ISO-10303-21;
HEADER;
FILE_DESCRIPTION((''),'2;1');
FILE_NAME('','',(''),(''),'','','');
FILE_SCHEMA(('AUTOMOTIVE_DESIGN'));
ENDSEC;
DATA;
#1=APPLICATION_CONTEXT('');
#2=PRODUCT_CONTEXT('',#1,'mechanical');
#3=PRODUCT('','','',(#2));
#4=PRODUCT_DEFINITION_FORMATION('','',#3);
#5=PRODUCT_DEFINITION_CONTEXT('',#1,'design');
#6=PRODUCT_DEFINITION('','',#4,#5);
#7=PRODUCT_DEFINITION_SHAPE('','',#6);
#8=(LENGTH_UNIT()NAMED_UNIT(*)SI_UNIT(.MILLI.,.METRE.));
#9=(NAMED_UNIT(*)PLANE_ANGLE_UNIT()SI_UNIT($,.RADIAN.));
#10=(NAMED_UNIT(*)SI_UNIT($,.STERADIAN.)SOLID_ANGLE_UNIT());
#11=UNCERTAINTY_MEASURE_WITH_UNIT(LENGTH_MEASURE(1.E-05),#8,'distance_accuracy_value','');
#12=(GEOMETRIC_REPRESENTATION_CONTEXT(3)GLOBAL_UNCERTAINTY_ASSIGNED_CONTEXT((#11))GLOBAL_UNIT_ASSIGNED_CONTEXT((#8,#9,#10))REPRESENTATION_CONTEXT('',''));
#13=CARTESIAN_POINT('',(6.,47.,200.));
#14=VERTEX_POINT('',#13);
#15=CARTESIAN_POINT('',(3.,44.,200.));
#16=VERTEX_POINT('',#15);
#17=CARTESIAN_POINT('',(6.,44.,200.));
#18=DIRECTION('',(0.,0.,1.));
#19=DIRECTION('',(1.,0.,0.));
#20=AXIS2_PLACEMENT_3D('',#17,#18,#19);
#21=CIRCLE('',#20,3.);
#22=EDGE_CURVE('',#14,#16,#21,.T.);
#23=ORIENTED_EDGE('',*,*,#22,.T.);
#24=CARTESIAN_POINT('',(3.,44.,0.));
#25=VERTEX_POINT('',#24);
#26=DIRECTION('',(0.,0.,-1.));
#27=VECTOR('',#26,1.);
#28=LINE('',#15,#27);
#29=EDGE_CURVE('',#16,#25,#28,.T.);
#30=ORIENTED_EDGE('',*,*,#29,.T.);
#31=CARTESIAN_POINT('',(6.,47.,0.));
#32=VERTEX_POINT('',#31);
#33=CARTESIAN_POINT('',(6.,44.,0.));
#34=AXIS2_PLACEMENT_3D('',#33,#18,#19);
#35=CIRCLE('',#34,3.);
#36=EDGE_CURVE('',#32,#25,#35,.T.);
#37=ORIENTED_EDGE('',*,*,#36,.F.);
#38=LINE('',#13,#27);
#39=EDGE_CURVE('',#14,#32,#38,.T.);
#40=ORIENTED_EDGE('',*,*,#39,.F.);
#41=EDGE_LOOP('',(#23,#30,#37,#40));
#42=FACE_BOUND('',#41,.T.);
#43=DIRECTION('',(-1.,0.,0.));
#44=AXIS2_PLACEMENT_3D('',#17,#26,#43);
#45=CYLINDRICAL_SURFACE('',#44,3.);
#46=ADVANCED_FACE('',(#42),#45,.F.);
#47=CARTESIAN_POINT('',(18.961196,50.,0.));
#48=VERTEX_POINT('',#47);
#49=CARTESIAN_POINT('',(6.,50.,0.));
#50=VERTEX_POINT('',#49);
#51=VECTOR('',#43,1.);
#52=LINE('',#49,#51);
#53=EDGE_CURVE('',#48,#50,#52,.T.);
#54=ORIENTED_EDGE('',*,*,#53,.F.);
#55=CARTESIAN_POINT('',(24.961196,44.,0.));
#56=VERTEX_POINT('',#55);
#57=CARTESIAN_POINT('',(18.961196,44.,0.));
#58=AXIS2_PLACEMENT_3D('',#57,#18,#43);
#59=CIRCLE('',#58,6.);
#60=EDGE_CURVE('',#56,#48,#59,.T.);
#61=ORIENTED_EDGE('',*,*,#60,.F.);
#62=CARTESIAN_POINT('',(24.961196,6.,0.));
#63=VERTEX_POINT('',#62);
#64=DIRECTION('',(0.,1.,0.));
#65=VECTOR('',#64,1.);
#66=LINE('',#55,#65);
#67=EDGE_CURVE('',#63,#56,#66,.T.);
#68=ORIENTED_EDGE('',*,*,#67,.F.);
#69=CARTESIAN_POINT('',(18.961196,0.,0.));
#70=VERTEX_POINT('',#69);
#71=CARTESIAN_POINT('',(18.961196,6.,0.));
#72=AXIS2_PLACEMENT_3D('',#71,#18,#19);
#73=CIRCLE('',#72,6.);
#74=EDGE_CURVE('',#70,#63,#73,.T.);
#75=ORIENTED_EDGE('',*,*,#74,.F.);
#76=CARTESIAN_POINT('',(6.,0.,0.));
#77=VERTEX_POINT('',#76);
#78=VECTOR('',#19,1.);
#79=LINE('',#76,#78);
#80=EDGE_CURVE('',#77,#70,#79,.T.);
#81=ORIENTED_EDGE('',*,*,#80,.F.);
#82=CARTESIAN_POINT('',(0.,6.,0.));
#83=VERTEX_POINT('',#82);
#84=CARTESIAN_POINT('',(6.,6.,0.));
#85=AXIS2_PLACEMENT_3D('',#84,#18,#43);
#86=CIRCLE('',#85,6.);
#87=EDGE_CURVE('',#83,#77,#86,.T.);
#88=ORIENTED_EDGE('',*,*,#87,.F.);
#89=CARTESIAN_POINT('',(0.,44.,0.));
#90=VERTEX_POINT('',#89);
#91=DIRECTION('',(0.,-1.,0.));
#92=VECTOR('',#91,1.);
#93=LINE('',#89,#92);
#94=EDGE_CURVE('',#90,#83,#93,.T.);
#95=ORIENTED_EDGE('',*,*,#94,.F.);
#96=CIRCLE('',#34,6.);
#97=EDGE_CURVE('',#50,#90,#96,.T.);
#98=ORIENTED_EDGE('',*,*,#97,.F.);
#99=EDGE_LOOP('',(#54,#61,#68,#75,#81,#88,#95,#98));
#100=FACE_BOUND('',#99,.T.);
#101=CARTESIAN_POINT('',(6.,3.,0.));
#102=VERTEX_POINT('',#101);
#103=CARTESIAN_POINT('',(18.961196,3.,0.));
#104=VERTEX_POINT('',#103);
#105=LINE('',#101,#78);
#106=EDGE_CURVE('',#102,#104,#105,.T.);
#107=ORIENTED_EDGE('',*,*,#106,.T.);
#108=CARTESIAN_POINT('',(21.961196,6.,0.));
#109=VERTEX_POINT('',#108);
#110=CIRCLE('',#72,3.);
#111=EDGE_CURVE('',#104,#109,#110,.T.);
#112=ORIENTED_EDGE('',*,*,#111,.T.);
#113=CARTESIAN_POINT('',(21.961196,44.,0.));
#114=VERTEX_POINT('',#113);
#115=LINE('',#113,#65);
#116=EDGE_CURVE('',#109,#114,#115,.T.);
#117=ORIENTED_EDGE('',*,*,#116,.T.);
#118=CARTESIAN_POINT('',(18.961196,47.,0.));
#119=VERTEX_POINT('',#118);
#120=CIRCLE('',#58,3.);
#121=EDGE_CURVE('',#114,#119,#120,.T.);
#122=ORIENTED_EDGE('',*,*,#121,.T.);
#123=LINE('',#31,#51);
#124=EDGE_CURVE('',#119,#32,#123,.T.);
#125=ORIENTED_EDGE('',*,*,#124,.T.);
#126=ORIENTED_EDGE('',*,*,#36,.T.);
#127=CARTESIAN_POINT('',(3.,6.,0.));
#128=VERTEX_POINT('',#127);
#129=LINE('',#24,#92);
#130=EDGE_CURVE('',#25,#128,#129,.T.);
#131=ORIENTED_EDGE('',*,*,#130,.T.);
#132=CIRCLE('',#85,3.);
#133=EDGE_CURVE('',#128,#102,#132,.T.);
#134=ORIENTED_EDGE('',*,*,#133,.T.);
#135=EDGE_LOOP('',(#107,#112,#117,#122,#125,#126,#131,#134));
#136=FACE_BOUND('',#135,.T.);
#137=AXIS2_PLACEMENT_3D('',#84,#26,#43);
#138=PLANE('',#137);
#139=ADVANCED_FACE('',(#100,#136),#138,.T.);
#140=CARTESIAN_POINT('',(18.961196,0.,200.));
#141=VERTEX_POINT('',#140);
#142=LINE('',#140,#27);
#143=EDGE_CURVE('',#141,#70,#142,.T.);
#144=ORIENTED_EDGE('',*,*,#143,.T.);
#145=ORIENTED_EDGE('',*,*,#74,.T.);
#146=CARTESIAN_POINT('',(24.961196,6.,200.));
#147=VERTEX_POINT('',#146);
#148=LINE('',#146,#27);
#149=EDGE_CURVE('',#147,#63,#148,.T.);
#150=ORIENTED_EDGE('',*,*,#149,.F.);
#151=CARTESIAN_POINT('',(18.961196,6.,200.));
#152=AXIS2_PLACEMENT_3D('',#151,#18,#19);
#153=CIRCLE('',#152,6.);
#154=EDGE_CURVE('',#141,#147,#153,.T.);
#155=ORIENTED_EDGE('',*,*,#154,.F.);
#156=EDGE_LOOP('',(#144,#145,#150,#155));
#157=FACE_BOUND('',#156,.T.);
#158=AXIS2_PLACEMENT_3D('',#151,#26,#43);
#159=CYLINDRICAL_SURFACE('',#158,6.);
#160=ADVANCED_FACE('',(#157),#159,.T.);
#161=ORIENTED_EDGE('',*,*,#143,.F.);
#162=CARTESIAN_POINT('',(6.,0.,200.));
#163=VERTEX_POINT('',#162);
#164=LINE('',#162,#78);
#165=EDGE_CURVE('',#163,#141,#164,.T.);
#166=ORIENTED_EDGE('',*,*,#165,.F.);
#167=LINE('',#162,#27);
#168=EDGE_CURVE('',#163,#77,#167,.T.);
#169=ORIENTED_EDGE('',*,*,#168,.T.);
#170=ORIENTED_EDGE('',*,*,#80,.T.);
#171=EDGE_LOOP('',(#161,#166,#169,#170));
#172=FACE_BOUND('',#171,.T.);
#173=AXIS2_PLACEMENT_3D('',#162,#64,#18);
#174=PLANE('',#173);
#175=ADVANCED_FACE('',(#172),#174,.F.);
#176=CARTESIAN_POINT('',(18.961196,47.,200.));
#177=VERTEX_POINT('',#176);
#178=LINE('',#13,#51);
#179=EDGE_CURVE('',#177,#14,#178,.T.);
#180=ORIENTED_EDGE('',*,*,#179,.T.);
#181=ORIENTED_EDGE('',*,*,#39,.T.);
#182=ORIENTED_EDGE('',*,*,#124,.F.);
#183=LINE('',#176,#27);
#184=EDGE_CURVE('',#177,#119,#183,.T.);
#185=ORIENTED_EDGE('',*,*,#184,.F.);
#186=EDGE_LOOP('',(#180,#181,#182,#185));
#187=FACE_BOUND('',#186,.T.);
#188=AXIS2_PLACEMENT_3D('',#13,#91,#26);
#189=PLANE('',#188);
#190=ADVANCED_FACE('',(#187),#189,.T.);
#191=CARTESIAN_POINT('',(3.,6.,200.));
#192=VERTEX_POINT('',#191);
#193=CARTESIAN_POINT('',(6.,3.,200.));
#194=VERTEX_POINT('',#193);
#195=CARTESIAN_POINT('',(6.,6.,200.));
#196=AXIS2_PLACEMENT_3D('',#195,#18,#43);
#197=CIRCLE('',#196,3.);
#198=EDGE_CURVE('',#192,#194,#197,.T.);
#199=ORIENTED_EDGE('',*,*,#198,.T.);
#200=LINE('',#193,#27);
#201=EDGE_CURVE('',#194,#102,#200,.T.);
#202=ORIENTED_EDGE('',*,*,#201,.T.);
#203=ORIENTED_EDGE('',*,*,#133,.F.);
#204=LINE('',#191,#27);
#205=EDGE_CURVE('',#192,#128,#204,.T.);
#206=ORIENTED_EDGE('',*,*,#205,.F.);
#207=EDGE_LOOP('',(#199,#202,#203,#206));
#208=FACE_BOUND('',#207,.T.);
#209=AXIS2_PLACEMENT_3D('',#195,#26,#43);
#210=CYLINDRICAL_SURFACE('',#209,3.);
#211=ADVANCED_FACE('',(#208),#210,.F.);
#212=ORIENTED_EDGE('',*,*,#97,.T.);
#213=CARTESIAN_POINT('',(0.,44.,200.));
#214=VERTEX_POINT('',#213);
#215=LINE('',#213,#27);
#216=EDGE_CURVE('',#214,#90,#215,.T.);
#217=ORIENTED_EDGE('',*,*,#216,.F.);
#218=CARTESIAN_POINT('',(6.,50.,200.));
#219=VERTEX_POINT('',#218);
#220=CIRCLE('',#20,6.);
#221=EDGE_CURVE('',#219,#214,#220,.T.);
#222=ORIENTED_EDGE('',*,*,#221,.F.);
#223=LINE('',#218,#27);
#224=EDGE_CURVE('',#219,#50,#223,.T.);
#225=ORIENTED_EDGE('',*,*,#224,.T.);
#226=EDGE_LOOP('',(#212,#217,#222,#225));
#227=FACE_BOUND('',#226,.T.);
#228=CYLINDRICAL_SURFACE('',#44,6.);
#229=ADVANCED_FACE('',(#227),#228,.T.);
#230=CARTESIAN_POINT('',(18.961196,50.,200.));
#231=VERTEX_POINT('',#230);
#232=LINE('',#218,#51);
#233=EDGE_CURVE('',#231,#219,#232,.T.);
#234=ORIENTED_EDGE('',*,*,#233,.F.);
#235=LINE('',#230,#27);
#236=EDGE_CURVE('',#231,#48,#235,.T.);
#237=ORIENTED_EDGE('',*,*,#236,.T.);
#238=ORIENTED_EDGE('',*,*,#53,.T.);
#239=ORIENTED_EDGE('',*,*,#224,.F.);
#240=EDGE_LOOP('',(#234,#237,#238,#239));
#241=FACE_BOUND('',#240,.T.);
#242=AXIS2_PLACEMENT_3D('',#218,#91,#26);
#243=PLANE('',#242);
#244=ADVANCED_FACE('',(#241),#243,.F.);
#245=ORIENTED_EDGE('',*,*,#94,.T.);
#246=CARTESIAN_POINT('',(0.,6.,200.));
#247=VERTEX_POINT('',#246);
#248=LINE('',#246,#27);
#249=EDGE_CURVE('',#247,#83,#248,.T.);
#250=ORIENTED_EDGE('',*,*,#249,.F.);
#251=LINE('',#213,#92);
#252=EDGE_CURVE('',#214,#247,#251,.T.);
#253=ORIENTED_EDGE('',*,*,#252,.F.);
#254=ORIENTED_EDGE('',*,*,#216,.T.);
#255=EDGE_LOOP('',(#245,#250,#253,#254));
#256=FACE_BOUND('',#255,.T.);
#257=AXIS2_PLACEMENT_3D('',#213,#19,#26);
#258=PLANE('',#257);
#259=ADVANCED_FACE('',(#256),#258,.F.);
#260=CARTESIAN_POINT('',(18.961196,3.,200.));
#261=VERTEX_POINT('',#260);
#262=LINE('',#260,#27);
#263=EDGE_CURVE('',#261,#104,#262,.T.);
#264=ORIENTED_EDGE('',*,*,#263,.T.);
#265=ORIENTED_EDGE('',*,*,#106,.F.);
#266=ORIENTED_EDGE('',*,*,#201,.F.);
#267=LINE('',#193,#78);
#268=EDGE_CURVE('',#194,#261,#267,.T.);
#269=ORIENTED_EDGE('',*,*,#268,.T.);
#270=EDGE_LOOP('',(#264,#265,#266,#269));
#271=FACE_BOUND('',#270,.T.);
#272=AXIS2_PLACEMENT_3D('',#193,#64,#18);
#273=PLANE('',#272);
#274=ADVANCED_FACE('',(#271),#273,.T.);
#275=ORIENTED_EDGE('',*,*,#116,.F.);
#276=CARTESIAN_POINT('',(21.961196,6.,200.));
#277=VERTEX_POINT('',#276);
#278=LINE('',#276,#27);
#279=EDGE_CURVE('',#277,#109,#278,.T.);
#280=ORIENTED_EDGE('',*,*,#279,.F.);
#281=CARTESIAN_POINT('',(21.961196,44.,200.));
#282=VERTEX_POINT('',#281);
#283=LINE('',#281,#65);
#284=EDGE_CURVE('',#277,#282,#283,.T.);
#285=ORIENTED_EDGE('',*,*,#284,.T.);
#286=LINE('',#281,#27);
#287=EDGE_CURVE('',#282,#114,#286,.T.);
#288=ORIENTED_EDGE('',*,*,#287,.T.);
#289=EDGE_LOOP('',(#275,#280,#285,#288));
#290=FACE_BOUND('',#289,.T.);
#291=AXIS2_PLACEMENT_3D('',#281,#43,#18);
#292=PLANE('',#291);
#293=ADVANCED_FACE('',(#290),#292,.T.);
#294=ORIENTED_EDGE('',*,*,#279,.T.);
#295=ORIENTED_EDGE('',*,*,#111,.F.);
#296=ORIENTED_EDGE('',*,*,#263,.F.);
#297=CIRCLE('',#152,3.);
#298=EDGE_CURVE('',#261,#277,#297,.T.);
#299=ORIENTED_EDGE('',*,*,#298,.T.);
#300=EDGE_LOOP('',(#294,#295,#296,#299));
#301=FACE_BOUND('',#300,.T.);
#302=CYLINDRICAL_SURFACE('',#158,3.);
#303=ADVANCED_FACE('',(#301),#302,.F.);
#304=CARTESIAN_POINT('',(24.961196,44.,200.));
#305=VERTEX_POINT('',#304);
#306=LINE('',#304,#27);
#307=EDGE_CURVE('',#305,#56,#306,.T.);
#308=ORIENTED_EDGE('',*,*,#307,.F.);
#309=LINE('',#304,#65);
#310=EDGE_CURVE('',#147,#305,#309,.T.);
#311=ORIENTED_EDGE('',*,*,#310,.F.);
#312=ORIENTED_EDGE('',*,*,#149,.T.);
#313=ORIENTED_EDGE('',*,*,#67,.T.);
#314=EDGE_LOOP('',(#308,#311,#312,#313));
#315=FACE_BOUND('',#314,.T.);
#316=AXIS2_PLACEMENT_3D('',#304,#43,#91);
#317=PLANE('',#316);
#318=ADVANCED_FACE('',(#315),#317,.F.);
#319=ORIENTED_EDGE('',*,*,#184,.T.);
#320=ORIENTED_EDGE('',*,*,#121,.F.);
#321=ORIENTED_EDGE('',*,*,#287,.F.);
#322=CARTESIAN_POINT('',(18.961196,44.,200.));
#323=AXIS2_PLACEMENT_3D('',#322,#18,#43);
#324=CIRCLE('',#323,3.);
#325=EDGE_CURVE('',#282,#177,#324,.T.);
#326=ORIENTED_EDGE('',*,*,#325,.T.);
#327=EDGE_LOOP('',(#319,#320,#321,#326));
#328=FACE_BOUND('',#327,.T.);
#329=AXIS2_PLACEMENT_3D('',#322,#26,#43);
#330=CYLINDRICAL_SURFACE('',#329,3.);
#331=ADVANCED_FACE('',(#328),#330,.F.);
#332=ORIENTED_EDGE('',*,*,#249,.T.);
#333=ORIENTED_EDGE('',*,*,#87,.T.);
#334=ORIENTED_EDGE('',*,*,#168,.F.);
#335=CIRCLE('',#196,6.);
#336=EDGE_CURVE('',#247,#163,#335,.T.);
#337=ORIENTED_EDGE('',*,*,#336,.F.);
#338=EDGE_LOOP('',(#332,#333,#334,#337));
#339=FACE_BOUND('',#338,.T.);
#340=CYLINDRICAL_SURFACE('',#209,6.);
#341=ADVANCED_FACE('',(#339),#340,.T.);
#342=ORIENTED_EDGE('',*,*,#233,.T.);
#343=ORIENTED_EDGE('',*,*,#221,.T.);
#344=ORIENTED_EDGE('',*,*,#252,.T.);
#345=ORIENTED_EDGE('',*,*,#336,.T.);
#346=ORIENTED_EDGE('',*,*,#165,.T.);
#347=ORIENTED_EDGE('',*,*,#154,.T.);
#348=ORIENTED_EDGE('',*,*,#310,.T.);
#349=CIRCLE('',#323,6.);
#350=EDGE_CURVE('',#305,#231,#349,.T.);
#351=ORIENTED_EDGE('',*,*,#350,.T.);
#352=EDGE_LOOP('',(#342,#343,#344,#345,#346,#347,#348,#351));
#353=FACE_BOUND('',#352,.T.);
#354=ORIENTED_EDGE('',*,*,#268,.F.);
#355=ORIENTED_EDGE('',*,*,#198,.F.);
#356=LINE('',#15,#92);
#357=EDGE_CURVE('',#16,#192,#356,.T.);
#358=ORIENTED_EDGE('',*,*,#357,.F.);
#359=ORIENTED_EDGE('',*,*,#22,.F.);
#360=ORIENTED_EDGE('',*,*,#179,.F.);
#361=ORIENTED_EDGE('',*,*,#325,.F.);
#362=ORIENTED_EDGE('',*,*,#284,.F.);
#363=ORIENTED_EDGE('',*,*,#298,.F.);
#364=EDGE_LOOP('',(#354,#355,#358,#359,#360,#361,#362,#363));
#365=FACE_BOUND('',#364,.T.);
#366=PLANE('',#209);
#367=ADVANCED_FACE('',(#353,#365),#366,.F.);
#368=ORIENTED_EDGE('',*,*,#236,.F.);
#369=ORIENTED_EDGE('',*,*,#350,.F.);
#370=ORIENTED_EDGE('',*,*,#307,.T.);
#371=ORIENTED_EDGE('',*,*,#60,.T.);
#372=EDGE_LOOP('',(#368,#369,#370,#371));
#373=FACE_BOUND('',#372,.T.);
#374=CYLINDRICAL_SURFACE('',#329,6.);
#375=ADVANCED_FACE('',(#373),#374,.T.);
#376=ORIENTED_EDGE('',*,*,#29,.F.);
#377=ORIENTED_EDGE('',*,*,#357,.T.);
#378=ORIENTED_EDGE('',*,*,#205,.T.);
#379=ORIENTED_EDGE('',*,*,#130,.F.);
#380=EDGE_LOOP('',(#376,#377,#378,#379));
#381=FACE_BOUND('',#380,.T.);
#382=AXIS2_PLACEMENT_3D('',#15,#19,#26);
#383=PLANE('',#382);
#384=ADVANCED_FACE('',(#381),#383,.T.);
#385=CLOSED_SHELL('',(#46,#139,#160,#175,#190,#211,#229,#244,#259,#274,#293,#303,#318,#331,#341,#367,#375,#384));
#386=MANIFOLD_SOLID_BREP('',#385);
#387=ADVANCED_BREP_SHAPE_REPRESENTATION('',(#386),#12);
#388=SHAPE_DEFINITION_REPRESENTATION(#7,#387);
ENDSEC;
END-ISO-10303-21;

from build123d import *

# Parameters (mm, degrees)
BOSS_EXTRUDE1_DEPTH = 200


with BuildPart() as part:
    # Sketch1 → Boss-Extrude1 (new body)
    with BuildSketch(Plane.XY):
        with BuildLine():
            Line((0, 44), (0, 6))
            ThreePointArc((0, 6), (1.757359313, 1.757359313), (6, 0))
            Line((6, 0), (18.96119643, 0))
            ThreePointArc((18.96119643, 0), (23.203837117, 1.757359313), (24.96119643, 6))
            Line((24.96119643, 6), (24.96119643, 44))
            ThreePointArc((24.96119643, 44), (23.203837117, 48.242640687), (18.96119643, 50))
            Line((18.96119643, 50), (6, 50))
            ThreePointArc((6, 50), (1.757359313, 48.242640687), (0, 44))
        make_face()
        with BuildLine():
            Line((3, 44), (3, 6))
            ThreePointArc((3, 6), (3.878679656, 3.878679656), (6, 3))
            Line((6, 3), (18.96119643, 3))
            ThreePointArc((18.96119643, 3), (21.082516774, 3.878679656), (21.96119643, 6))
            Line((21.96119643, 6), (21.96119643, 44))
            ThreePointArc((21.96119643, 44), (21.082516774, 46.121320344), (18.96119643, 47))
            Line((18.96119643, 47), (6, 47))
            ThreePointArc((6, 47), (3.878679656, 46.121320344), (3, 44))
        make_face(mode=Mode.SUBTRACT)
    extrude(amount=BOSS_EXTRUDE1_DEPTH)


solid = part.part
